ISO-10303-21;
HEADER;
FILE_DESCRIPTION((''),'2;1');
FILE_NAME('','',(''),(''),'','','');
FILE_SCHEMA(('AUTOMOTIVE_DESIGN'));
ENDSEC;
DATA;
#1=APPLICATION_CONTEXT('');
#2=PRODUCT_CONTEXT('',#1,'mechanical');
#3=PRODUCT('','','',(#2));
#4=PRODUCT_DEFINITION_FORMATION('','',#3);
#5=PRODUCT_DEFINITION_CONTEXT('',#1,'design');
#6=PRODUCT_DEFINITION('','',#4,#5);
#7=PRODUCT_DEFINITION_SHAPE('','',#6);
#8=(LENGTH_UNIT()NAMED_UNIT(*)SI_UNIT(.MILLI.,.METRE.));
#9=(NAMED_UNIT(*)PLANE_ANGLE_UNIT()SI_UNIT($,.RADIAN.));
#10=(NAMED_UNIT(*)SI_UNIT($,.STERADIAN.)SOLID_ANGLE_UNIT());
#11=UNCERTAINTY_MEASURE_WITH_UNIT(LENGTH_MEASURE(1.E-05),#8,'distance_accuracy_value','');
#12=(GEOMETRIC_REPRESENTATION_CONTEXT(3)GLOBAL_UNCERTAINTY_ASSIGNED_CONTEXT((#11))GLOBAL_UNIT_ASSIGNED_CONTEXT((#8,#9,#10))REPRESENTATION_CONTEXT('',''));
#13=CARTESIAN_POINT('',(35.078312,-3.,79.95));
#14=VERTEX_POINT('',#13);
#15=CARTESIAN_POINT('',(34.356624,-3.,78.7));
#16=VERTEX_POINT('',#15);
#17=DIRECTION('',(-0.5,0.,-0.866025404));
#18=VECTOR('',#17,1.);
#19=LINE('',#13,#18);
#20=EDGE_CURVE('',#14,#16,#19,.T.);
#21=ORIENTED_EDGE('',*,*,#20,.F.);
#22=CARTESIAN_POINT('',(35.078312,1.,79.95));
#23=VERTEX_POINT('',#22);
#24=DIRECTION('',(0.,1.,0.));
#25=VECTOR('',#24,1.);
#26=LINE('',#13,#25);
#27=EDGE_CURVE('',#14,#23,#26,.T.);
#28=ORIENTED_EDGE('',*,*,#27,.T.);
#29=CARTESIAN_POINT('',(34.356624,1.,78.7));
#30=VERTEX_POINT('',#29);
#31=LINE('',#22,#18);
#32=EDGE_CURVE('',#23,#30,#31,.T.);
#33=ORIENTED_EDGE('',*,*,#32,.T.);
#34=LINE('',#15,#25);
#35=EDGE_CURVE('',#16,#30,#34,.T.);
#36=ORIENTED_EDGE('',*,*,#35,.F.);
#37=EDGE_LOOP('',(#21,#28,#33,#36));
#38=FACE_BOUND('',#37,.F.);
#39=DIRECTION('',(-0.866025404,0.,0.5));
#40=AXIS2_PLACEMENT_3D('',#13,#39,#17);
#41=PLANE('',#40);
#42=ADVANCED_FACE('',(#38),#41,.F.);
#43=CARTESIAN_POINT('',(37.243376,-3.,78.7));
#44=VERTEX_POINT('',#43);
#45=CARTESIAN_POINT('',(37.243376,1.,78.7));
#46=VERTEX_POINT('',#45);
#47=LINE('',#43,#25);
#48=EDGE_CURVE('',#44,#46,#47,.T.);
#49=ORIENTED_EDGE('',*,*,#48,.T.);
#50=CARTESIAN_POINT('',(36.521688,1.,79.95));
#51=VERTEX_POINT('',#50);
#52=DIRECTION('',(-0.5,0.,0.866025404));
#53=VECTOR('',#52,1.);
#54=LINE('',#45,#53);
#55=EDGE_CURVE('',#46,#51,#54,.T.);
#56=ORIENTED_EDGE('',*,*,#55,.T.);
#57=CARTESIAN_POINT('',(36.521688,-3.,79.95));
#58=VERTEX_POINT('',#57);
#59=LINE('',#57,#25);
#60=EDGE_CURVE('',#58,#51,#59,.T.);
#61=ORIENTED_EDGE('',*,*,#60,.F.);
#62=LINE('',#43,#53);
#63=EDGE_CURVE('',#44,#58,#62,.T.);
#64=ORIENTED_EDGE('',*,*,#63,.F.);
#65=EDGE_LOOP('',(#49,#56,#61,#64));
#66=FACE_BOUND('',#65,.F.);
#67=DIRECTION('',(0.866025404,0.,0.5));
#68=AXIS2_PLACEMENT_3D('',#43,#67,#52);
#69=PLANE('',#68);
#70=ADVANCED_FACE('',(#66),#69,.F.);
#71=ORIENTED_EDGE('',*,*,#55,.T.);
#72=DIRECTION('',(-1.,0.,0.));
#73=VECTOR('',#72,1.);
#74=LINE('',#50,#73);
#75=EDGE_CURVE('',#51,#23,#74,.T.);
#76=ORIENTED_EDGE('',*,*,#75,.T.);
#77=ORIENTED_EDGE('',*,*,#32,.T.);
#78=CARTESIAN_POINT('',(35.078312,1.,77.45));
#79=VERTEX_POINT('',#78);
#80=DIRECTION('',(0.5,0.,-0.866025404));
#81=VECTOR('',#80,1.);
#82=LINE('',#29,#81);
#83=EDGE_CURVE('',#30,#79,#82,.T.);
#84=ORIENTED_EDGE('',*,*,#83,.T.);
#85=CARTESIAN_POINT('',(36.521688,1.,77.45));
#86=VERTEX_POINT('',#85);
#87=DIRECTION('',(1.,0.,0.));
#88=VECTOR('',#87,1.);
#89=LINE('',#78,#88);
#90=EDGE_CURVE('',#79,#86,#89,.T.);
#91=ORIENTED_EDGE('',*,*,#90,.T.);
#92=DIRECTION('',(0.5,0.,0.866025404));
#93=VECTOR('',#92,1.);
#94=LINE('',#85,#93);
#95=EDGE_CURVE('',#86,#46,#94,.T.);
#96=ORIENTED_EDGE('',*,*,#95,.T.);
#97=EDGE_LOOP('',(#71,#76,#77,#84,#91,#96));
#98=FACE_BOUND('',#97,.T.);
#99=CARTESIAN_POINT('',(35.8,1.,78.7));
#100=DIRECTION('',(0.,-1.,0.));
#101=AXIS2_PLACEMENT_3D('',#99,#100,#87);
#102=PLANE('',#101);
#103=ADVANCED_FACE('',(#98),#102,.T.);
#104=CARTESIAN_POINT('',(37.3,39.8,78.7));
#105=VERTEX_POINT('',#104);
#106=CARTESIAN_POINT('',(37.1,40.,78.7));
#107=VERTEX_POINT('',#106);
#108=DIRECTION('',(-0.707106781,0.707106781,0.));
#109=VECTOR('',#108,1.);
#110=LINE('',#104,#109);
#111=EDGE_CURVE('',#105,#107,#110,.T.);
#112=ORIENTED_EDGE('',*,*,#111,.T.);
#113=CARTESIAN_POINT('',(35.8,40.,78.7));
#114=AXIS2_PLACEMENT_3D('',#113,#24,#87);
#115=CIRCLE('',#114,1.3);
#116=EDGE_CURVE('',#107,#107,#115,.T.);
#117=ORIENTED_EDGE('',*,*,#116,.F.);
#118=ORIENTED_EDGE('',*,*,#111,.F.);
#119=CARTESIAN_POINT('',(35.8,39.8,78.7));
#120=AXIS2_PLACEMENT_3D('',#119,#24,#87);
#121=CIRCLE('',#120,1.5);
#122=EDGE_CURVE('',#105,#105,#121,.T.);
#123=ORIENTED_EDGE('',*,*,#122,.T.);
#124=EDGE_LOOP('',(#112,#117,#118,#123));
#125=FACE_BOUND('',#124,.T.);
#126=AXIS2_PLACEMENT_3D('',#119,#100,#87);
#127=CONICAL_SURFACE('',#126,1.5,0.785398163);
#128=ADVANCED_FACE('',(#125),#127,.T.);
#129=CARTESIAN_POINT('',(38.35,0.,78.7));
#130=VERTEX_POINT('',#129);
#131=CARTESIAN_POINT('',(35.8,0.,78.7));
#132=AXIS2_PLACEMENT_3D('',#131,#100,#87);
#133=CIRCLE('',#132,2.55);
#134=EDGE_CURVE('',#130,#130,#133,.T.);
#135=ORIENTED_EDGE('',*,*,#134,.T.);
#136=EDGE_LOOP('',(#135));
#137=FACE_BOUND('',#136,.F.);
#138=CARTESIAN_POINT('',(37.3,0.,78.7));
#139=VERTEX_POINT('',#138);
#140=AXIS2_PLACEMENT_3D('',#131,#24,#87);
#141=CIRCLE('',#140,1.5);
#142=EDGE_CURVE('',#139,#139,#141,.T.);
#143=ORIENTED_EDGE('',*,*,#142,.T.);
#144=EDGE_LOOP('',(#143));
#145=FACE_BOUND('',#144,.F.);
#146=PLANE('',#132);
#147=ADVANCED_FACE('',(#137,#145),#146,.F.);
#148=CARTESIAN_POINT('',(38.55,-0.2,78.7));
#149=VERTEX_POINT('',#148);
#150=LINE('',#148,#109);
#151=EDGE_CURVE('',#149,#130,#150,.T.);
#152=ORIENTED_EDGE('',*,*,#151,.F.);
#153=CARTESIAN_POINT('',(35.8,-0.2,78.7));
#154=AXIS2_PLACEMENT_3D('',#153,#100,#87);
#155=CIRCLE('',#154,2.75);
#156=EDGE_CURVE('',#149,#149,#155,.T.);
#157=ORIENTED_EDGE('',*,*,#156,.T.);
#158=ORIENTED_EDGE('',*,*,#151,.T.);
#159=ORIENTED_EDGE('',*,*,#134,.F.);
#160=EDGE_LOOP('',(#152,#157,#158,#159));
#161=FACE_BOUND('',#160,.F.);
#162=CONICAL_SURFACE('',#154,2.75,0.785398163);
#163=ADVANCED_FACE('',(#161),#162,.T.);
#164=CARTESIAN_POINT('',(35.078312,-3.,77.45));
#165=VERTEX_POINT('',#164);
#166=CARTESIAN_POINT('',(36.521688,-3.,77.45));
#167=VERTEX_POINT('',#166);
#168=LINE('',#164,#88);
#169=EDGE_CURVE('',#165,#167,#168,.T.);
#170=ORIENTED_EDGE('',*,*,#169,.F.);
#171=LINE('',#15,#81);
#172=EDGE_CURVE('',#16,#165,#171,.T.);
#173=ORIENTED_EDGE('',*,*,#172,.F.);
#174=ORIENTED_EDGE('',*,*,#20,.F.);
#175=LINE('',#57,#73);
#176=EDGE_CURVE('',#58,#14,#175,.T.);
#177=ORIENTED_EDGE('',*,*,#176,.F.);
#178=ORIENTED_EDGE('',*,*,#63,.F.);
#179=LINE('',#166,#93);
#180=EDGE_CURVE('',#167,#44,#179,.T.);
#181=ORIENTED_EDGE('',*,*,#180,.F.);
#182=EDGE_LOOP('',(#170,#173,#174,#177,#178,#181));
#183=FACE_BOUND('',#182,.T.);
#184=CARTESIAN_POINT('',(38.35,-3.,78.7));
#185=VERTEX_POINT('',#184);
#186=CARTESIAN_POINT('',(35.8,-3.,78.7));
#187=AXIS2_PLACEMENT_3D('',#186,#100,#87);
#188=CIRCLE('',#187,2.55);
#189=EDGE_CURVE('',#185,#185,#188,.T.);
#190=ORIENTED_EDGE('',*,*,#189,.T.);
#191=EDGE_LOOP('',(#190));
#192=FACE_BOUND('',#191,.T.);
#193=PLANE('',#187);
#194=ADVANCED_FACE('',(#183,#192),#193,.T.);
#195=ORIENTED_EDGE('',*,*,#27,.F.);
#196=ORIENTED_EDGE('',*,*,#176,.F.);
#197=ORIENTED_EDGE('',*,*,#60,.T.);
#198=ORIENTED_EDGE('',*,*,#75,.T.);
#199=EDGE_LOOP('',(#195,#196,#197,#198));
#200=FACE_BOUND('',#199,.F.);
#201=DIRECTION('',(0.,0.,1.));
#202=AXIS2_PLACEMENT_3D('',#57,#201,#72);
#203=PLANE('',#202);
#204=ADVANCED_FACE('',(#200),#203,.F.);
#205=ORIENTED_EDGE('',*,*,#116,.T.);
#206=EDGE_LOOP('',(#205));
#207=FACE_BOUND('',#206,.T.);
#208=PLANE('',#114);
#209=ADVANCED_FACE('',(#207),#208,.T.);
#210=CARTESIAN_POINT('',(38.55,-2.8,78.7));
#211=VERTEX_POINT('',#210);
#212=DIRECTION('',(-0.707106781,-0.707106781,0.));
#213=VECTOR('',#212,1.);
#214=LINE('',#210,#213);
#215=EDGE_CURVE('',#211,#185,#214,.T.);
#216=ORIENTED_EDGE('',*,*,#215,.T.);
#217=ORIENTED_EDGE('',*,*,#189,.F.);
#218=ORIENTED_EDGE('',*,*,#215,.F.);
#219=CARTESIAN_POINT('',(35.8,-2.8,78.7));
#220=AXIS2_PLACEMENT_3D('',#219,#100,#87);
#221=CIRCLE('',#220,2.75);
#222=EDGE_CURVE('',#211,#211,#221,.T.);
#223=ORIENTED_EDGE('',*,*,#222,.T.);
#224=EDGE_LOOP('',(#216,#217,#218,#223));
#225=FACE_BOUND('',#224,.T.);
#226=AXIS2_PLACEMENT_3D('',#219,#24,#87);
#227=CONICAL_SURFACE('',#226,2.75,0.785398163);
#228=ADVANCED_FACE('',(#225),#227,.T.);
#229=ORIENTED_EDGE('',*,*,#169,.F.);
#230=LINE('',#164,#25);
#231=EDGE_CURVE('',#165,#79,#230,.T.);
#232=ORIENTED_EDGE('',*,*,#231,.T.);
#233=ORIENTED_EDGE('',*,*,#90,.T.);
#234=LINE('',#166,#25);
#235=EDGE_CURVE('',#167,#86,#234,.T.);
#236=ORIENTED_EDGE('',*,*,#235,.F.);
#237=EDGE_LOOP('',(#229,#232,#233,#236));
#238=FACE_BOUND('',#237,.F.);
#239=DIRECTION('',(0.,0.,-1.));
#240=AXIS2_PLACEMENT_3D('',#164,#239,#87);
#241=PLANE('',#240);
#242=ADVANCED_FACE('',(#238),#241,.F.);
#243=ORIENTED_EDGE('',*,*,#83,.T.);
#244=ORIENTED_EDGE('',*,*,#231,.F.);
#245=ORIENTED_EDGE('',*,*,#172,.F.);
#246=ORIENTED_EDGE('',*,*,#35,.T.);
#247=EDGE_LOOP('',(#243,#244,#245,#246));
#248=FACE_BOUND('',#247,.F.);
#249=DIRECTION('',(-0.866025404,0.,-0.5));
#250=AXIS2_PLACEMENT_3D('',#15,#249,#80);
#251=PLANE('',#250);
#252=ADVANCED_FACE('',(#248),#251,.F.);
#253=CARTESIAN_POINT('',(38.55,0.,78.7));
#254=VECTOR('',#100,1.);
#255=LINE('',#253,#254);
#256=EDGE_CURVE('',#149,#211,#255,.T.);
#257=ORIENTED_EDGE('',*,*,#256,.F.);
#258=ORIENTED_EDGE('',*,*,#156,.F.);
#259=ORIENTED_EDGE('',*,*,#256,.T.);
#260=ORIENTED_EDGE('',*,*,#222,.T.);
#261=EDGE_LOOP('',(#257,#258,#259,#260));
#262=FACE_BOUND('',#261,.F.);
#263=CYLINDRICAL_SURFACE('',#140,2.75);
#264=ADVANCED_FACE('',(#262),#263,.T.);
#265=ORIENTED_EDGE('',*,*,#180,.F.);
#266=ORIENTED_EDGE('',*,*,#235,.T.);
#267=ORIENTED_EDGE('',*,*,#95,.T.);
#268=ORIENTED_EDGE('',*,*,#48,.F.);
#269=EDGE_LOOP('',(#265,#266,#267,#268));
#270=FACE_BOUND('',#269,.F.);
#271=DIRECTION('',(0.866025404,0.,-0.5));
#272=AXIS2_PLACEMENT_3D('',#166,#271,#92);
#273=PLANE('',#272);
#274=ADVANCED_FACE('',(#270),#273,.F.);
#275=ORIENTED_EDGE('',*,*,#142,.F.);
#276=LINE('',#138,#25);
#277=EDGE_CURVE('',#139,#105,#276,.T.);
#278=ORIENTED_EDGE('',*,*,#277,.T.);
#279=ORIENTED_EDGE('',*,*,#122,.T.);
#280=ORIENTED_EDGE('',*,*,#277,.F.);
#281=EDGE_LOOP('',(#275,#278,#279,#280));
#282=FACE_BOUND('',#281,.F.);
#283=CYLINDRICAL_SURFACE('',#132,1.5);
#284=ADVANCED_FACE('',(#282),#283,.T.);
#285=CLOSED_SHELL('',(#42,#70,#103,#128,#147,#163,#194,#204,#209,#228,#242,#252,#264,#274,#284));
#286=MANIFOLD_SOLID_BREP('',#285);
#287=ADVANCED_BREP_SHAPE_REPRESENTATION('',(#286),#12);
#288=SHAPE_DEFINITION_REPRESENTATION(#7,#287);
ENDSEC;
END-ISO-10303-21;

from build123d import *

# Parameters (mm, degrees)
SKETCH006_R             = 2.75
PAD002_DEPTH            = 3
SKETCH007_R             = 1.5
PAD003_DEPTH            = 40
POCKET003_DEPTH         = 4
CHAMFER001_SIZE         = 0.2
BODY002_PLACEMENT_ANGLE = 90


with BuildPart() as part:
    # Sketch006 → Pad002 (new body)
    with BuildSketch(Plane.XY):
        Circle(SKETCH006_R)
    extrude(amount=PAD002_DEPTH)

    # Sketch007 (on Face2 of Pad002) → Pad003 (join)
    with BuildSketch(Plane(origin=(0, 0, 0), x_dir=(1, 0, 0), z_dir=(0, 0, -1))):
        Circle(SKETCH007_R)
    extrude(amount=PAD003_DEPTH)

    # Sketch008 (on DatumPlane) → Pocket003 (cut)
    with BuildSketch(Plane.XY.offset(3)):
        Polygon((0.7216878365, -1.25), (1.443375673, 0), (0.7216878365, 1.25), (-0.7216878365, 1.25), (-1.443375673, 0), (-0.7216878365, -1.25), align=None)
    extrude(amount=-POCKET003_DEPTH, mode=Mode.SUBTRACT)

    # Chamfer001
    chamfer001_edges = [part.edges().sort_by_distance(p)[0] for p in [
        (-1.5, 0, -40),
        (-2.75, 0, 0),
        (-2.75, 0, 3),
    ]]
    chamfer(chamfer001_edges, length=CHAMFER001_SIZE)


with BuildPart() as part_1:
    # Body002 placement: moved
    add(part.part.moved(Location((35.8, 0, 78.7))).rotate(Axis((35.8, 0, 78.7), (1, 0, 0)), BODY002_PLACEMENT_ANGLE))


solid = part_1.part
